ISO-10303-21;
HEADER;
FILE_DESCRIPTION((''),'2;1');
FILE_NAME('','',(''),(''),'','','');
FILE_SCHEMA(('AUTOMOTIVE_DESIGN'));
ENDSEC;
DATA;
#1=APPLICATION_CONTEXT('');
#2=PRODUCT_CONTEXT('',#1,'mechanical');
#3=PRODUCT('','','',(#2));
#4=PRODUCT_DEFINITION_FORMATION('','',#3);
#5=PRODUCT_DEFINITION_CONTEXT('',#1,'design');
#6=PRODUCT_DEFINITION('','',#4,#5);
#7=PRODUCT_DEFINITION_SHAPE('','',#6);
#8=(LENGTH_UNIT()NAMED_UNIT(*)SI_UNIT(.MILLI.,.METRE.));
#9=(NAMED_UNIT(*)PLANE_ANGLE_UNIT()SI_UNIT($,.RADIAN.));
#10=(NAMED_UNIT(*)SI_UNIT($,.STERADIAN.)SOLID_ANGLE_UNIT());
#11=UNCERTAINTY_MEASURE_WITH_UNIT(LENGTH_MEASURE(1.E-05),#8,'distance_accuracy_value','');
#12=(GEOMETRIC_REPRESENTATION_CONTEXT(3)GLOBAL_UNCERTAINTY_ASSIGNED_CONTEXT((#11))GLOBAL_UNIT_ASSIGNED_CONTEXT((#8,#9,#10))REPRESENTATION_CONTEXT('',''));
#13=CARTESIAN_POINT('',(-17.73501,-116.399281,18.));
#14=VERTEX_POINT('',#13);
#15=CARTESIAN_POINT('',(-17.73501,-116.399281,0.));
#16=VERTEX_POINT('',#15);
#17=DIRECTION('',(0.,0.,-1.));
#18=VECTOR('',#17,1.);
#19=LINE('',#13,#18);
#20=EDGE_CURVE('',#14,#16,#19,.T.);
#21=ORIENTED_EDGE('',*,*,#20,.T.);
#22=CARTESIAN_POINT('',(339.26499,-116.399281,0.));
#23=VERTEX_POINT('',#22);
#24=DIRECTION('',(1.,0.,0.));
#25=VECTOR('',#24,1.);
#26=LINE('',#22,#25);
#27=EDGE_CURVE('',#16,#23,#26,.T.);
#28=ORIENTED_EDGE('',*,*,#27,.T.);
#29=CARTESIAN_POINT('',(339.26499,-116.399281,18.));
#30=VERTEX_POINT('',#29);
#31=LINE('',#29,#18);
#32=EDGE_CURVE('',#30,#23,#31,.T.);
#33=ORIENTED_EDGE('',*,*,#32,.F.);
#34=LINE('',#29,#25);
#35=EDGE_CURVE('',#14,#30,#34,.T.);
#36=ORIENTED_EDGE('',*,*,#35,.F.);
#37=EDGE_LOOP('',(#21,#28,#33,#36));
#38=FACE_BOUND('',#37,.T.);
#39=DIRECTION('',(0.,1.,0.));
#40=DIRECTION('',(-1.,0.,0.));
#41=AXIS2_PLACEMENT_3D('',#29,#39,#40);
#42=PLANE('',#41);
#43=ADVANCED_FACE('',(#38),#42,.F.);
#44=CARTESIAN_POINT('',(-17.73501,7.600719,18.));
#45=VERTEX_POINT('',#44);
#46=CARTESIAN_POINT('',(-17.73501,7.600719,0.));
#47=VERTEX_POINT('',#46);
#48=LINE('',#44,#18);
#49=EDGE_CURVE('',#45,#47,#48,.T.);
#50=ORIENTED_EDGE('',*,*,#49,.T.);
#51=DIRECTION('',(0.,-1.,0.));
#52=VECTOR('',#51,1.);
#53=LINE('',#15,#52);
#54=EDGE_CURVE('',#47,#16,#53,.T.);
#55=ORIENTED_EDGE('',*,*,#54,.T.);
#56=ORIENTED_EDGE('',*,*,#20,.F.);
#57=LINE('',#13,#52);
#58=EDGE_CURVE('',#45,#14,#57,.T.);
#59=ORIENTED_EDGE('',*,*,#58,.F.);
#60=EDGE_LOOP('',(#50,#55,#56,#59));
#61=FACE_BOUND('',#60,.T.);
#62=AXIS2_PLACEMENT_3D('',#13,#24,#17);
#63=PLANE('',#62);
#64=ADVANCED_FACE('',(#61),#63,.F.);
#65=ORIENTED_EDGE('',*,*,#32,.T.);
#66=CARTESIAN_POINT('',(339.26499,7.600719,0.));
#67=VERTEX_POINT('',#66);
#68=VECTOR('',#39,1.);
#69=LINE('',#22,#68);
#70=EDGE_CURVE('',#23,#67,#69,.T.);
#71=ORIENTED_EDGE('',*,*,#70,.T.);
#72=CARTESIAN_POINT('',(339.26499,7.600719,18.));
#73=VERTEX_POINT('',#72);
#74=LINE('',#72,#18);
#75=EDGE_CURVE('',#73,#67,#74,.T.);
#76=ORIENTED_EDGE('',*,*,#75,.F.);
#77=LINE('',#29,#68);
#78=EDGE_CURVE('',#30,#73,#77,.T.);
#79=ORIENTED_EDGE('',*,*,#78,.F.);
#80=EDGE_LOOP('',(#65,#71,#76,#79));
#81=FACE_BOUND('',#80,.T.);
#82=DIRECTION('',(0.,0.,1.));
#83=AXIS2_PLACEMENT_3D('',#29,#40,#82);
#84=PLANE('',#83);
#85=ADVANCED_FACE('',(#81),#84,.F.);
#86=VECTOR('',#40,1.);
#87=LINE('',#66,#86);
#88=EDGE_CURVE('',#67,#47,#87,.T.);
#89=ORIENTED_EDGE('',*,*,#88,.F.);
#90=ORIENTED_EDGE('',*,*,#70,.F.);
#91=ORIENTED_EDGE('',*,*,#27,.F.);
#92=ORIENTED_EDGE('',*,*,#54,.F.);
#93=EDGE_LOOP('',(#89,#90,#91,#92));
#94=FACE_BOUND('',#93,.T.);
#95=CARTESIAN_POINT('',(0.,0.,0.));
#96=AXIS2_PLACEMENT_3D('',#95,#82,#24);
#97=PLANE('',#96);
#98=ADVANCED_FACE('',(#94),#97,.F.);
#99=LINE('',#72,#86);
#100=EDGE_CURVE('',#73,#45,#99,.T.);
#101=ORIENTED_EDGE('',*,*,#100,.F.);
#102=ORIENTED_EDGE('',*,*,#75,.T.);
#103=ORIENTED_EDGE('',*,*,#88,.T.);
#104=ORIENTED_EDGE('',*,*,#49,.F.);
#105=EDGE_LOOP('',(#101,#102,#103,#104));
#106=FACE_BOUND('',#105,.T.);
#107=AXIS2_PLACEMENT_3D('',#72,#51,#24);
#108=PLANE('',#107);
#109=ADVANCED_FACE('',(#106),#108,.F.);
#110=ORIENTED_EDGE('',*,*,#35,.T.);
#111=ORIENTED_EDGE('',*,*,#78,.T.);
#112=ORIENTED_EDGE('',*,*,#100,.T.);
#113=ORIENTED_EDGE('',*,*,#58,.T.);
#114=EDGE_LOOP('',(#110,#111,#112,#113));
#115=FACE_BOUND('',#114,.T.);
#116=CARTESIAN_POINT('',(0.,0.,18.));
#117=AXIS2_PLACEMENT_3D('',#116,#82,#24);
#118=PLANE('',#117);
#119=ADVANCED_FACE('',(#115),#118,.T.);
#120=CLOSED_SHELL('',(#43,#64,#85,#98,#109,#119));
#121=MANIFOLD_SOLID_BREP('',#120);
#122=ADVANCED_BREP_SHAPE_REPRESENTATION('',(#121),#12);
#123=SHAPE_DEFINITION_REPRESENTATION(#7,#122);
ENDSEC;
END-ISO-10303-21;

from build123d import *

# Parameters (mm, degrees)
SKETCH_1_W      = 357
SKETCH_1_H      = 124
EXTRUDE_1_DEPTH = 18


with BuildPart() as part:
    # Эскиз1 → Бобышка-Вытянуть1 (new body)
    with BuildSketch(Plane.XY):
        with Locations((160.764989549, -54.399281235)):
            Rectangle(SKETCH_1_W, SKETCH_1_H)
    extrude(amount=EXTRUDE_1_DEPTH)


solid = part.part
